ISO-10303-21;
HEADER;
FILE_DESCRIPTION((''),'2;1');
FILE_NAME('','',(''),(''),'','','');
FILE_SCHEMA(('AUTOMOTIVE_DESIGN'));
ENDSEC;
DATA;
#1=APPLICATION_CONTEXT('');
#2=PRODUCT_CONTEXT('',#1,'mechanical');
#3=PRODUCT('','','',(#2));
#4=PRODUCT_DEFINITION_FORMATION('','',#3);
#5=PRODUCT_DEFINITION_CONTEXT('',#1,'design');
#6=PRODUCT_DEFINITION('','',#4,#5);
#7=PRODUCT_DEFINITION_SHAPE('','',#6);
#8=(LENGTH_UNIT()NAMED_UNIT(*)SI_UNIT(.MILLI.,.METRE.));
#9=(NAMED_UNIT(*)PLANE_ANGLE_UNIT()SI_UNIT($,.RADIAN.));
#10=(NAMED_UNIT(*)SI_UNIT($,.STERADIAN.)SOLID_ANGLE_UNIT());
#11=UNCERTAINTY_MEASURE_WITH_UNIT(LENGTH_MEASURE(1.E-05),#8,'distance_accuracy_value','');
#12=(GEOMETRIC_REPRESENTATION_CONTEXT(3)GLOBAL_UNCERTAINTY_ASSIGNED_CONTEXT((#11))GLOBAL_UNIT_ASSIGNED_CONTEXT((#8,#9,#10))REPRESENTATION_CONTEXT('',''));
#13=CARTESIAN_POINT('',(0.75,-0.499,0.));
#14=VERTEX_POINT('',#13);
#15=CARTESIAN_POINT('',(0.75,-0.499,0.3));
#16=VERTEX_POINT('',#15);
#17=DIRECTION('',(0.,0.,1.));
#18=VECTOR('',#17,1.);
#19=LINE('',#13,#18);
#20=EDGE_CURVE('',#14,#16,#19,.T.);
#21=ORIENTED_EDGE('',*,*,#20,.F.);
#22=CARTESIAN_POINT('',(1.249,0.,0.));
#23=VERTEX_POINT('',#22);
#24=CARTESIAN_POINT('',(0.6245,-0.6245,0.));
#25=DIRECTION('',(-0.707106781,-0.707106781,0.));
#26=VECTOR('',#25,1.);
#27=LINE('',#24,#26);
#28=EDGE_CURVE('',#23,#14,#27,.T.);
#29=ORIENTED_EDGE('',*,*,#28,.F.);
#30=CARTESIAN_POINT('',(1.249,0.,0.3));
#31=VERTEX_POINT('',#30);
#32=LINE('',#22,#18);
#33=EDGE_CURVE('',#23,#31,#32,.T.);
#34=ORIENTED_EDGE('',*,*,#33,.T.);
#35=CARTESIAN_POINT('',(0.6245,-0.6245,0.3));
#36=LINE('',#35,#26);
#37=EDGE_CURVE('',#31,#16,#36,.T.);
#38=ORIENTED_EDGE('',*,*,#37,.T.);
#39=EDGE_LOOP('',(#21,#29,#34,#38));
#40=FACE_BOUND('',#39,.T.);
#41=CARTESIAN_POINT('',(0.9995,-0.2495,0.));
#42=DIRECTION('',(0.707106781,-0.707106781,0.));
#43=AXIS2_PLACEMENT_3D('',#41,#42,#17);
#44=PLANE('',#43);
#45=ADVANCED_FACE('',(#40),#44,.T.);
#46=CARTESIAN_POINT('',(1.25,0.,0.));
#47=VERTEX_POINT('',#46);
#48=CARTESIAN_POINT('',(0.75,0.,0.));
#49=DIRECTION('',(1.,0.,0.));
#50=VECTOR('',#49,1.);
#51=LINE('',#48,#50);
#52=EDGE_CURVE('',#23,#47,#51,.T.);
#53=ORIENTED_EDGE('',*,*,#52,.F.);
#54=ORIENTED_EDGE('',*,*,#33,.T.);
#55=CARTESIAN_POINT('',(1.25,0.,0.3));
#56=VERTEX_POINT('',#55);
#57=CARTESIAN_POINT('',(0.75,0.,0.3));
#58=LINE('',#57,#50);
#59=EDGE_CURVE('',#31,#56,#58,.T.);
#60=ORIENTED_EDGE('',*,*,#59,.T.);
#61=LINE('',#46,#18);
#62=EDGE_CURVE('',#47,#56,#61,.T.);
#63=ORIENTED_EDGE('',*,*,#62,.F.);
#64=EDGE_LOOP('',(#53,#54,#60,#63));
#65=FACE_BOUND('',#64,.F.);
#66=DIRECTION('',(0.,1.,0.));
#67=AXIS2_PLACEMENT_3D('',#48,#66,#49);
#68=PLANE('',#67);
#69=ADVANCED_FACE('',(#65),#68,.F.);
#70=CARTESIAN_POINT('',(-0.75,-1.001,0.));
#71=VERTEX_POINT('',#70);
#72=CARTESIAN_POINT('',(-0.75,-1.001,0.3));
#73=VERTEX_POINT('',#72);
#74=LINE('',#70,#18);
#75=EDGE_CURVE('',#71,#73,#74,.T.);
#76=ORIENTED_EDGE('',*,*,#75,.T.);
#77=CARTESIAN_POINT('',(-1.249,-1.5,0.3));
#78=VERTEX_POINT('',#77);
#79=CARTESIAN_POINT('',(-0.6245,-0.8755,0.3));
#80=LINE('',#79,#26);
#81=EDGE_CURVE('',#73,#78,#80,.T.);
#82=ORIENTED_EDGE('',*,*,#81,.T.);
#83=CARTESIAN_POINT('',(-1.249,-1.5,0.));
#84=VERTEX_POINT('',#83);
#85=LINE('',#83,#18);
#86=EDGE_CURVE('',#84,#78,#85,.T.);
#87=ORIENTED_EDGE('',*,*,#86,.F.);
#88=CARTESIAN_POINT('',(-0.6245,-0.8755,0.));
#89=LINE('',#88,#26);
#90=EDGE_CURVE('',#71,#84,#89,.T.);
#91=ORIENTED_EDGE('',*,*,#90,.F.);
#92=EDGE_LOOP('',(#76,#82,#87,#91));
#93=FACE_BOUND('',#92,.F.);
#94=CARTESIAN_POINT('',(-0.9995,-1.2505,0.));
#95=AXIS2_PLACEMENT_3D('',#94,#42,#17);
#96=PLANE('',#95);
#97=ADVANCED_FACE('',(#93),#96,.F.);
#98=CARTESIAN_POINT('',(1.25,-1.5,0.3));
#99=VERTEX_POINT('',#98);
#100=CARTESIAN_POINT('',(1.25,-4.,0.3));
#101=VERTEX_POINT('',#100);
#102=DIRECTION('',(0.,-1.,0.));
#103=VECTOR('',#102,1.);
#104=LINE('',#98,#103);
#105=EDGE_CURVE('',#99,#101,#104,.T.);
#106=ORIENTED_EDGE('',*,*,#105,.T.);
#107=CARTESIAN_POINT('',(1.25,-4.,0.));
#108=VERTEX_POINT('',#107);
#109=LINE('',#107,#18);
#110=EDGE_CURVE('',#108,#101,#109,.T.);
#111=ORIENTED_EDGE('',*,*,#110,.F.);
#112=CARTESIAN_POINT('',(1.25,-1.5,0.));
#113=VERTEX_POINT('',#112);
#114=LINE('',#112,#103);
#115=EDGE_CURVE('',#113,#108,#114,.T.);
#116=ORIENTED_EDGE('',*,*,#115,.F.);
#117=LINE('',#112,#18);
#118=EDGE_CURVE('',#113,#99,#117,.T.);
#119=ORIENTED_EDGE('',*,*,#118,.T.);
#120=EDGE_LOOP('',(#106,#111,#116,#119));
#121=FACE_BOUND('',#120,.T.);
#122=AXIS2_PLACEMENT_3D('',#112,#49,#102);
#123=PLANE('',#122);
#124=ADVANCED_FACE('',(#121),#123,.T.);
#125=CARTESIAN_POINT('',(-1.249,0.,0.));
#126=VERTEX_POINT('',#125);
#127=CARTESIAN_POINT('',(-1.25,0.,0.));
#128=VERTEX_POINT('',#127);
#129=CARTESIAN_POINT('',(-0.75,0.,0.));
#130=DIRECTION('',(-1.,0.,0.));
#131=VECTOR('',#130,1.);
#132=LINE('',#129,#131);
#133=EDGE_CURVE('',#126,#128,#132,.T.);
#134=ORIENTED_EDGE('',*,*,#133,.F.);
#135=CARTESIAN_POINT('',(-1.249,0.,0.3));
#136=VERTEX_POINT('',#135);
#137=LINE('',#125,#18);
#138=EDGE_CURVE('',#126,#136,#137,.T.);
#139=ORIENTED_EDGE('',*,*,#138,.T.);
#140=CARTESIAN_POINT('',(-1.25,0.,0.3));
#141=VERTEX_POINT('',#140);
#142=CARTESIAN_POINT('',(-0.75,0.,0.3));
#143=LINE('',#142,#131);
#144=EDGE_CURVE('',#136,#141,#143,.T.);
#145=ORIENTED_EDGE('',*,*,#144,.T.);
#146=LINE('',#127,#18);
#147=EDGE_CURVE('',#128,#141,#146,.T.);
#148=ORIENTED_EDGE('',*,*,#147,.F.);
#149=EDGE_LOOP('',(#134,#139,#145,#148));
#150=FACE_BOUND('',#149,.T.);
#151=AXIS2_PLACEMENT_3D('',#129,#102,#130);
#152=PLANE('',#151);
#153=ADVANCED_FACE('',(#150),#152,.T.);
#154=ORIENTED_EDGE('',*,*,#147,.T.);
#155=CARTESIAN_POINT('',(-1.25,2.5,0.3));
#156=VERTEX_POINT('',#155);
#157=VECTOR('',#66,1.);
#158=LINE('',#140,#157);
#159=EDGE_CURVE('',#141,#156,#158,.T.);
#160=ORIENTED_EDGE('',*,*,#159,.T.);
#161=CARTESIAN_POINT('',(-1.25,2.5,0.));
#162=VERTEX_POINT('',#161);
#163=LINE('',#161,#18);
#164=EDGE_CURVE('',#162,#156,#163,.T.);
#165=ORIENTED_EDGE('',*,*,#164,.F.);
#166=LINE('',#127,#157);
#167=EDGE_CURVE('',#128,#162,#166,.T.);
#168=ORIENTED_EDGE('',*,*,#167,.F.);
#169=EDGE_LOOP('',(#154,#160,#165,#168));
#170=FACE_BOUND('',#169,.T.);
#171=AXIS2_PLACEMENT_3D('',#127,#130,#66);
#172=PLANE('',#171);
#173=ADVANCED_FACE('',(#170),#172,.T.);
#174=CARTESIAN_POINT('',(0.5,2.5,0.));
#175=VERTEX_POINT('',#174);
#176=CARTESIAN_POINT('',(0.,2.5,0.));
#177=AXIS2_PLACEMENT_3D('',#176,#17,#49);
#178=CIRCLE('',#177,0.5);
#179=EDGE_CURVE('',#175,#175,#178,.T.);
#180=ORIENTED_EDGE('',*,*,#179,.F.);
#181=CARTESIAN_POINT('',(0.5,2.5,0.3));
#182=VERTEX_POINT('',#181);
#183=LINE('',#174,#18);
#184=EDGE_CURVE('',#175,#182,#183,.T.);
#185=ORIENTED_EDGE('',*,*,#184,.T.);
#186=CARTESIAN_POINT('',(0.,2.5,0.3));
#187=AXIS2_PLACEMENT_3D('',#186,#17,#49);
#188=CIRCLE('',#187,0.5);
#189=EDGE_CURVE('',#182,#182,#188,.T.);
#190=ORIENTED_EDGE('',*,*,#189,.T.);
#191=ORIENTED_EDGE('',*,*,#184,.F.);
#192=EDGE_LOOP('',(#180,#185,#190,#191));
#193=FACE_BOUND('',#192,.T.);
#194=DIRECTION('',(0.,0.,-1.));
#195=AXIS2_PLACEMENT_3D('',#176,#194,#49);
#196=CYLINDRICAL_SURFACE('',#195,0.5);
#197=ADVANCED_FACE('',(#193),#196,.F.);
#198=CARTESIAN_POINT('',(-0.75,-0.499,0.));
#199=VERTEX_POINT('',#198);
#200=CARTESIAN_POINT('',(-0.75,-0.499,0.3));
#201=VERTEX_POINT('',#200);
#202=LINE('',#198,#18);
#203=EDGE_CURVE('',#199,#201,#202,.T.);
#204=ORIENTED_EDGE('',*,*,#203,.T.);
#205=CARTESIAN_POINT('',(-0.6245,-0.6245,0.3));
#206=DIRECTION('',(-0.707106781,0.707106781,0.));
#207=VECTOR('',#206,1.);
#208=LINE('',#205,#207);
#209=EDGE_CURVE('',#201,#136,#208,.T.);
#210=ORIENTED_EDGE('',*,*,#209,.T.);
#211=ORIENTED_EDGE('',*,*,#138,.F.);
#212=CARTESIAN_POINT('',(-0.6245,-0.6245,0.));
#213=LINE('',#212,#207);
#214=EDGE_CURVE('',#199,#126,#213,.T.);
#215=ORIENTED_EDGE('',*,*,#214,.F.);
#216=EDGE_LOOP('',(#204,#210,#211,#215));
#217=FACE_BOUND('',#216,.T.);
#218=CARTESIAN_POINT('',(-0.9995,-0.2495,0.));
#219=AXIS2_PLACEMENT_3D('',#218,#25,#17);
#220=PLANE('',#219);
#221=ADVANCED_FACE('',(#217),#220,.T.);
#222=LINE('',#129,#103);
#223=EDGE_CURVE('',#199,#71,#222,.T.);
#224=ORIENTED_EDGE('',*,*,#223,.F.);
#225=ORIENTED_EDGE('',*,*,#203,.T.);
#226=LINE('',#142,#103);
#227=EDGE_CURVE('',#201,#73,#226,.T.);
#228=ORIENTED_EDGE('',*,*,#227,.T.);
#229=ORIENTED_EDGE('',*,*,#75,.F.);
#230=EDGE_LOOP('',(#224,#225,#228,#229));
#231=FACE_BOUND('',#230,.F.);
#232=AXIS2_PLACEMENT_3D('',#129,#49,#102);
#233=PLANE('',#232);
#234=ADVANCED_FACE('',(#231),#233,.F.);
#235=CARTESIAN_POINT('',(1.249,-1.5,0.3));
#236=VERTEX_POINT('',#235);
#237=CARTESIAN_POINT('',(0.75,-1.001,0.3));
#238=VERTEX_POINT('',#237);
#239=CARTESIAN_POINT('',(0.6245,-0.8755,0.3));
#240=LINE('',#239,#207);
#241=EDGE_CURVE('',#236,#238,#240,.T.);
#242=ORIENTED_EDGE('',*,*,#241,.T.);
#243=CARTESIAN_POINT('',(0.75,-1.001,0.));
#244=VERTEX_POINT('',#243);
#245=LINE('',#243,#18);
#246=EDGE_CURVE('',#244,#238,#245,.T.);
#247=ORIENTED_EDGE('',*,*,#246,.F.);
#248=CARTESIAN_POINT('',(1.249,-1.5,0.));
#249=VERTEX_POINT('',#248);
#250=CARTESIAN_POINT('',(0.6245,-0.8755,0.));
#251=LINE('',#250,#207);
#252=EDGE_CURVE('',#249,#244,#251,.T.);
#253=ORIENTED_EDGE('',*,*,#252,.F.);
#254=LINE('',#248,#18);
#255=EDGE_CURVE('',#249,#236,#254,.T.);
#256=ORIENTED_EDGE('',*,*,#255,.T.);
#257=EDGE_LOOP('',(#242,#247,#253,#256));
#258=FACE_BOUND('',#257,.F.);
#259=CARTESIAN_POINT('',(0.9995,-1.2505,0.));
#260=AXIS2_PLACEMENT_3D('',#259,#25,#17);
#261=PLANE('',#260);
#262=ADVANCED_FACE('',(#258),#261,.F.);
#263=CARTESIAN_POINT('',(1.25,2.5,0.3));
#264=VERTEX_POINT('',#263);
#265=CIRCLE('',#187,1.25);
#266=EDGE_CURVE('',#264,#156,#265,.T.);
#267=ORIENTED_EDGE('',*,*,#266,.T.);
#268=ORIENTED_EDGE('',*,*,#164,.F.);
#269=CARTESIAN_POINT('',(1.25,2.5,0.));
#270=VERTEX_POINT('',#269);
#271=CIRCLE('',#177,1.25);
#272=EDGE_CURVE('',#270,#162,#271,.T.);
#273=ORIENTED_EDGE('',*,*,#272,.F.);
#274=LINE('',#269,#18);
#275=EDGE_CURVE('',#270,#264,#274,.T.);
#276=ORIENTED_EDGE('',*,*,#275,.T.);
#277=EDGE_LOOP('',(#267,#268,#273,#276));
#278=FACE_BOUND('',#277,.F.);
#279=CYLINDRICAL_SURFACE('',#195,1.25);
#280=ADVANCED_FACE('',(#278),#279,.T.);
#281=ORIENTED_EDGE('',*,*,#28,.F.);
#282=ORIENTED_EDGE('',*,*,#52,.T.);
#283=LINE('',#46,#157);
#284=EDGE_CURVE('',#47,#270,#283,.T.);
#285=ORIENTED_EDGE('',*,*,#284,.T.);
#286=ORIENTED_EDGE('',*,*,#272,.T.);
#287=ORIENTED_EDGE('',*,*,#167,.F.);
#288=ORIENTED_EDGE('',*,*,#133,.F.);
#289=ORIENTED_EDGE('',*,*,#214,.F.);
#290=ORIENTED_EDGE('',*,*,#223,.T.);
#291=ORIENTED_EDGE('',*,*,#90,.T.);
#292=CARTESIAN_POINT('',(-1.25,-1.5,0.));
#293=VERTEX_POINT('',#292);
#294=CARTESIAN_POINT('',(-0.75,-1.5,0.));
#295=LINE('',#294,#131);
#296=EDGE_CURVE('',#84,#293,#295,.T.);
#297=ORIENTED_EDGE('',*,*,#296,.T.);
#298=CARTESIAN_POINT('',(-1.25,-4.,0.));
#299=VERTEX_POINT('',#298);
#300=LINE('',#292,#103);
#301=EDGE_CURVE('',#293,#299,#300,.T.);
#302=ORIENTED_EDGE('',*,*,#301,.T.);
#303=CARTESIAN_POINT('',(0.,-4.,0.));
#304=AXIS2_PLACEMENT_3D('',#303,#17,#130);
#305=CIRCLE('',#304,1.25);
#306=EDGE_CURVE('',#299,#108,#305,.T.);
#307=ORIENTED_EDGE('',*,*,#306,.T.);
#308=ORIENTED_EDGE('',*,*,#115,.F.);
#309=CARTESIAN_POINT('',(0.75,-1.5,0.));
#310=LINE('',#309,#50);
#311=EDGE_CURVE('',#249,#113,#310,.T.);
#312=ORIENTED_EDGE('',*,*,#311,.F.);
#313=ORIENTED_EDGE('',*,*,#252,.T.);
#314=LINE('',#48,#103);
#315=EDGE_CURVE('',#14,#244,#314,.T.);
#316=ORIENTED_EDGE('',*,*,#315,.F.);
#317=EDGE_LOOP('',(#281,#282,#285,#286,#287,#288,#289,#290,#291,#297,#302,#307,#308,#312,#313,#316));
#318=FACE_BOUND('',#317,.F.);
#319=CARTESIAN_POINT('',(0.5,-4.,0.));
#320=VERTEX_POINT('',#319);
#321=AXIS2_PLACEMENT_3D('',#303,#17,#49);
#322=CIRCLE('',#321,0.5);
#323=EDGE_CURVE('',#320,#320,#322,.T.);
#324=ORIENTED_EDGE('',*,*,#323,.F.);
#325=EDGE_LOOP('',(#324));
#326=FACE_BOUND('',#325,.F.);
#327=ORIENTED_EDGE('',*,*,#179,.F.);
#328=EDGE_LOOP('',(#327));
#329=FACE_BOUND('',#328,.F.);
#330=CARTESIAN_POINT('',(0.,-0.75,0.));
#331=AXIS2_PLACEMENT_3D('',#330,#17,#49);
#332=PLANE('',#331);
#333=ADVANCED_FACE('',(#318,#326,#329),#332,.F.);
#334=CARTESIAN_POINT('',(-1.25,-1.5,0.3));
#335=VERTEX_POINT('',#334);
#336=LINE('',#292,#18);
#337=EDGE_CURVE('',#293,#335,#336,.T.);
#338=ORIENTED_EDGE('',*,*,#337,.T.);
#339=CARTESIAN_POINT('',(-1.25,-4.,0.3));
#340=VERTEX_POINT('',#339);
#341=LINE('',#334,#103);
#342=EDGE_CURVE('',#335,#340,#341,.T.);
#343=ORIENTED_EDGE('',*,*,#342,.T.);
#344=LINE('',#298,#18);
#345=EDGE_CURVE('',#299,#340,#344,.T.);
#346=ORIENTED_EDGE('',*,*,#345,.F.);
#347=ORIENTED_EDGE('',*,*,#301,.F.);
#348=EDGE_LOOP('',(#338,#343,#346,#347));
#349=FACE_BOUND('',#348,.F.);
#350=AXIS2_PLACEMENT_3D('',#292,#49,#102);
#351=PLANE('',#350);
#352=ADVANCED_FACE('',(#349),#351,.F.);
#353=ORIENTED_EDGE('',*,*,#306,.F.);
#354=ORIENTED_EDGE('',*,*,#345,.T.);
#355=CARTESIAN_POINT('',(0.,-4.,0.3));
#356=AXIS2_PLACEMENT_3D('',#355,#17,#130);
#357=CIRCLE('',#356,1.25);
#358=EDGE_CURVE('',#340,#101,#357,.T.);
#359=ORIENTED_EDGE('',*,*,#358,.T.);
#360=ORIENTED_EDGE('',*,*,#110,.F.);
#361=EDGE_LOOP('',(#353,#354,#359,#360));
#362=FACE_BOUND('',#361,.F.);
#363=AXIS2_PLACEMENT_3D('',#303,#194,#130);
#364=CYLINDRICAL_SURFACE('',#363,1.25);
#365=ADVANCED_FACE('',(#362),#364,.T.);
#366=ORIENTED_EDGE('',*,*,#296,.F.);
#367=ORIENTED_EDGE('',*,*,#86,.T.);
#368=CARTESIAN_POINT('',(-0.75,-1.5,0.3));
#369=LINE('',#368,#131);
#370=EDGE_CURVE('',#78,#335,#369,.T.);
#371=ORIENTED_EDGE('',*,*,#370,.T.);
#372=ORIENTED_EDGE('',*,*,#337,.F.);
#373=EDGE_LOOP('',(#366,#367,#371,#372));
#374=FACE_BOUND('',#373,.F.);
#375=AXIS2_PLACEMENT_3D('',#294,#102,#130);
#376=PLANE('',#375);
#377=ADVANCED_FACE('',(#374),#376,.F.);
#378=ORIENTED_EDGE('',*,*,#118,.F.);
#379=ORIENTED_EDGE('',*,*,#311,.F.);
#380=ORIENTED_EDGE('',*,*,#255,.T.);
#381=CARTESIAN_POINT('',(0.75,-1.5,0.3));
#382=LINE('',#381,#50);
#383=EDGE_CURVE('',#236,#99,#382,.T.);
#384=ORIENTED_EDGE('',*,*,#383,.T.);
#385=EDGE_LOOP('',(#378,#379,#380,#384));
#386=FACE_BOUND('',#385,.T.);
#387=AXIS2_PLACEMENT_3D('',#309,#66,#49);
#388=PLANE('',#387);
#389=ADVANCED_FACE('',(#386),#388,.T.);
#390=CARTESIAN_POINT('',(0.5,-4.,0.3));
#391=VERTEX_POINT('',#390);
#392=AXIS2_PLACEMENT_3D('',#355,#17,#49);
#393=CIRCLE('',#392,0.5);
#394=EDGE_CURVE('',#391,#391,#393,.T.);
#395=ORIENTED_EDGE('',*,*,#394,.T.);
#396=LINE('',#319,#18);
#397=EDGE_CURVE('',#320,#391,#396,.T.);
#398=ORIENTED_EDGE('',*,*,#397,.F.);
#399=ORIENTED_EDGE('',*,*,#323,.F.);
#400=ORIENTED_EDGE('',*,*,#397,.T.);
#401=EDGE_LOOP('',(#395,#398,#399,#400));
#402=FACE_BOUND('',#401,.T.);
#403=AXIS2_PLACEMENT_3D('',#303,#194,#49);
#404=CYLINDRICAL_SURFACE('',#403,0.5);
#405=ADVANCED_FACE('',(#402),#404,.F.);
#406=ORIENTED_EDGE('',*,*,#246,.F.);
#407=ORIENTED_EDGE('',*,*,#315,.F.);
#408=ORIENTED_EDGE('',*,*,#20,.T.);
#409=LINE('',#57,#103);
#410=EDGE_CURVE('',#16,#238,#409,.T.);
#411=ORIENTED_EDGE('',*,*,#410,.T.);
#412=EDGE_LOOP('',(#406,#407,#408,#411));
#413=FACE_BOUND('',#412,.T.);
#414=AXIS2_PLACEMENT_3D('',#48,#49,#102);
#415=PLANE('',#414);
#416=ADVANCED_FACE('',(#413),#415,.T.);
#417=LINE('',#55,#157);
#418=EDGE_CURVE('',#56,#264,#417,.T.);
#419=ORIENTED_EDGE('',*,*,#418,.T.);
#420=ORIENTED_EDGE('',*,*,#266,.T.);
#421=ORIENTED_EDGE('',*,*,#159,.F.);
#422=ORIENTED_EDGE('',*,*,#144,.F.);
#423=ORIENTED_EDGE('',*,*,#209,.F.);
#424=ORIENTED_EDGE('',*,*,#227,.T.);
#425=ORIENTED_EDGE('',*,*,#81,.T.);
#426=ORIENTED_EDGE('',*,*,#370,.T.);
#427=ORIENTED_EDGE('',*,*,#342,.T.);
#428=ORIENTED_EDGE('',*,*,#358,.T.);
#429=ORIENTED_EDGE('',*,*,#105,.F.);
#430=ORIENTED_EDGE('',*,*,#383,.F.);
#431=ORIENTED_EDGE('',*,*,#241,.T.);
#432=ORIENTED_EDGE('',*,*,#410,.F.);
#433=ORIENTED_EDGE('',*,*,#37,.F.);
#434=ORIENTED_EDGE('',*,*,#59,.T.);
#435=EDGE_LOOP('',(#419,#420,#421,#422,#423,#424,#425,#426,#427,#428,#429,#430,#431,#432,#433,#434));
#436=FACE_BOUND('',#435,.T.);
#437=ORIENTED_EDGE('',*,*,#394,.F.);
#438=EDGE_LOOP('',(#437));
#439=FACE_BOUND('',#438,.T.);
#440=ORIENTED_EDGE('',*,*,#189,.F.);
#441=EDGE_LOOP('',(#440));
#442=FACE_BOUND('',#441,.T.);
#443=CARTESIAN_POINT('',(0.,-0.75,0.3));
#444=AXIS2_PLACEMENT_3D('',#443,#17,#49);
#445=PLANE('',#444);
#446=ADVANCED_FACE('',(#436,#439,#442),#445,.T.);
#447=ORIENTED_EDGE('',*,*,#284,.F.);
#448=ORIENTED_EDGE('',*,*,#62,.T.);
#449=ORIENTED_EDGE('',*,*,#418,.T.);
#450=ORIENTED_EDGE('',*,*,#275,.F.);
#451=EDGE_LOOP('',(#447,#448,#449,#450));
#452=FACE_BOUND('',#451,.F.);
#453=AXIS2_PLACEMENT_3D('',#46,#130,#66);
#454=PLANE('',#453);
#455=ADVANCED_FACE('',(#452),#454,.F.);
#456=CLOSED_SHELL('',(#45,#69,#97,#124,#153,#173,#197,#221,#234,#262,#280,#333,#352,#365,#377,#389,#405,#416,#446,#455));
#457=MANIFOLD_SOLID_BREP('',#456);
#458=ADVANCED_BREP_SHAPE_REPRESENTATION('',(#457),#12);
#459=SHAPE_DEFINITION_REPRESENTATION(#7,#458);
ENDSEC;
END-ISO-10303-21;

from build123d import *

# Parameters (mm, degrees)
SKETCH_R     = 0.5
PAD_DEPTH    = 0.3
CHAMFER_SIZE = 0.499


with BuildPart() as part:
    # Sketch → Pad (new body)
    with BuildSketch(Plane.XY):
        with BuildLine():
            Line((-0.75, 0), (-0.75, -1.5))
            Line((-0.75, -1.5), (-1.25, -1.5))
            Line((-1.25, -1.5), (-1.25, -4))
            ThreePointArc((-1.25, -4), (0, -5.25), (1.25, -4))
            Line((1.25, -1.5), (1.25, -4))
            Line((0.75, -1.5), (1.25, -1.5))
            Line((0.75, 0), (0.75, -1.5))
            Line((0.75, 0), (1.25, 0))
            Line((1.25, 0), (1.25, 2.5))
            ThreePointArc((1.25, 2.5), (0, 3.75), (-1.25, 2.5))
            Line((-1.25, 0), (-1.25, 2.5))
            Line((-0.75, 0), (-1.25, 0))
        make_face()
        with Locations((0, -4)):
            Circle(SKETCH_R, mode=Mode.SUBTRACT)
        with Locations((0, 2.5)):
            Circle(SKETCH_R, mode=Mode.SUBTRACT)
    extrude(amount=PAD_DEPTH)

    # Chamfer
    chamfer_edges = [part.edges().sort_by_distance(p)[0] for p in [
        (-0.75, 0, 0.15),
        (-0.75, -1.5, 0.15),
        (0.75, 0, 0.15),
        (0.75, -1.5, 0.15),
    ]]
    chamfer(chamfer_edges, length=CHAMFER_SIZE)


solid = part.part
